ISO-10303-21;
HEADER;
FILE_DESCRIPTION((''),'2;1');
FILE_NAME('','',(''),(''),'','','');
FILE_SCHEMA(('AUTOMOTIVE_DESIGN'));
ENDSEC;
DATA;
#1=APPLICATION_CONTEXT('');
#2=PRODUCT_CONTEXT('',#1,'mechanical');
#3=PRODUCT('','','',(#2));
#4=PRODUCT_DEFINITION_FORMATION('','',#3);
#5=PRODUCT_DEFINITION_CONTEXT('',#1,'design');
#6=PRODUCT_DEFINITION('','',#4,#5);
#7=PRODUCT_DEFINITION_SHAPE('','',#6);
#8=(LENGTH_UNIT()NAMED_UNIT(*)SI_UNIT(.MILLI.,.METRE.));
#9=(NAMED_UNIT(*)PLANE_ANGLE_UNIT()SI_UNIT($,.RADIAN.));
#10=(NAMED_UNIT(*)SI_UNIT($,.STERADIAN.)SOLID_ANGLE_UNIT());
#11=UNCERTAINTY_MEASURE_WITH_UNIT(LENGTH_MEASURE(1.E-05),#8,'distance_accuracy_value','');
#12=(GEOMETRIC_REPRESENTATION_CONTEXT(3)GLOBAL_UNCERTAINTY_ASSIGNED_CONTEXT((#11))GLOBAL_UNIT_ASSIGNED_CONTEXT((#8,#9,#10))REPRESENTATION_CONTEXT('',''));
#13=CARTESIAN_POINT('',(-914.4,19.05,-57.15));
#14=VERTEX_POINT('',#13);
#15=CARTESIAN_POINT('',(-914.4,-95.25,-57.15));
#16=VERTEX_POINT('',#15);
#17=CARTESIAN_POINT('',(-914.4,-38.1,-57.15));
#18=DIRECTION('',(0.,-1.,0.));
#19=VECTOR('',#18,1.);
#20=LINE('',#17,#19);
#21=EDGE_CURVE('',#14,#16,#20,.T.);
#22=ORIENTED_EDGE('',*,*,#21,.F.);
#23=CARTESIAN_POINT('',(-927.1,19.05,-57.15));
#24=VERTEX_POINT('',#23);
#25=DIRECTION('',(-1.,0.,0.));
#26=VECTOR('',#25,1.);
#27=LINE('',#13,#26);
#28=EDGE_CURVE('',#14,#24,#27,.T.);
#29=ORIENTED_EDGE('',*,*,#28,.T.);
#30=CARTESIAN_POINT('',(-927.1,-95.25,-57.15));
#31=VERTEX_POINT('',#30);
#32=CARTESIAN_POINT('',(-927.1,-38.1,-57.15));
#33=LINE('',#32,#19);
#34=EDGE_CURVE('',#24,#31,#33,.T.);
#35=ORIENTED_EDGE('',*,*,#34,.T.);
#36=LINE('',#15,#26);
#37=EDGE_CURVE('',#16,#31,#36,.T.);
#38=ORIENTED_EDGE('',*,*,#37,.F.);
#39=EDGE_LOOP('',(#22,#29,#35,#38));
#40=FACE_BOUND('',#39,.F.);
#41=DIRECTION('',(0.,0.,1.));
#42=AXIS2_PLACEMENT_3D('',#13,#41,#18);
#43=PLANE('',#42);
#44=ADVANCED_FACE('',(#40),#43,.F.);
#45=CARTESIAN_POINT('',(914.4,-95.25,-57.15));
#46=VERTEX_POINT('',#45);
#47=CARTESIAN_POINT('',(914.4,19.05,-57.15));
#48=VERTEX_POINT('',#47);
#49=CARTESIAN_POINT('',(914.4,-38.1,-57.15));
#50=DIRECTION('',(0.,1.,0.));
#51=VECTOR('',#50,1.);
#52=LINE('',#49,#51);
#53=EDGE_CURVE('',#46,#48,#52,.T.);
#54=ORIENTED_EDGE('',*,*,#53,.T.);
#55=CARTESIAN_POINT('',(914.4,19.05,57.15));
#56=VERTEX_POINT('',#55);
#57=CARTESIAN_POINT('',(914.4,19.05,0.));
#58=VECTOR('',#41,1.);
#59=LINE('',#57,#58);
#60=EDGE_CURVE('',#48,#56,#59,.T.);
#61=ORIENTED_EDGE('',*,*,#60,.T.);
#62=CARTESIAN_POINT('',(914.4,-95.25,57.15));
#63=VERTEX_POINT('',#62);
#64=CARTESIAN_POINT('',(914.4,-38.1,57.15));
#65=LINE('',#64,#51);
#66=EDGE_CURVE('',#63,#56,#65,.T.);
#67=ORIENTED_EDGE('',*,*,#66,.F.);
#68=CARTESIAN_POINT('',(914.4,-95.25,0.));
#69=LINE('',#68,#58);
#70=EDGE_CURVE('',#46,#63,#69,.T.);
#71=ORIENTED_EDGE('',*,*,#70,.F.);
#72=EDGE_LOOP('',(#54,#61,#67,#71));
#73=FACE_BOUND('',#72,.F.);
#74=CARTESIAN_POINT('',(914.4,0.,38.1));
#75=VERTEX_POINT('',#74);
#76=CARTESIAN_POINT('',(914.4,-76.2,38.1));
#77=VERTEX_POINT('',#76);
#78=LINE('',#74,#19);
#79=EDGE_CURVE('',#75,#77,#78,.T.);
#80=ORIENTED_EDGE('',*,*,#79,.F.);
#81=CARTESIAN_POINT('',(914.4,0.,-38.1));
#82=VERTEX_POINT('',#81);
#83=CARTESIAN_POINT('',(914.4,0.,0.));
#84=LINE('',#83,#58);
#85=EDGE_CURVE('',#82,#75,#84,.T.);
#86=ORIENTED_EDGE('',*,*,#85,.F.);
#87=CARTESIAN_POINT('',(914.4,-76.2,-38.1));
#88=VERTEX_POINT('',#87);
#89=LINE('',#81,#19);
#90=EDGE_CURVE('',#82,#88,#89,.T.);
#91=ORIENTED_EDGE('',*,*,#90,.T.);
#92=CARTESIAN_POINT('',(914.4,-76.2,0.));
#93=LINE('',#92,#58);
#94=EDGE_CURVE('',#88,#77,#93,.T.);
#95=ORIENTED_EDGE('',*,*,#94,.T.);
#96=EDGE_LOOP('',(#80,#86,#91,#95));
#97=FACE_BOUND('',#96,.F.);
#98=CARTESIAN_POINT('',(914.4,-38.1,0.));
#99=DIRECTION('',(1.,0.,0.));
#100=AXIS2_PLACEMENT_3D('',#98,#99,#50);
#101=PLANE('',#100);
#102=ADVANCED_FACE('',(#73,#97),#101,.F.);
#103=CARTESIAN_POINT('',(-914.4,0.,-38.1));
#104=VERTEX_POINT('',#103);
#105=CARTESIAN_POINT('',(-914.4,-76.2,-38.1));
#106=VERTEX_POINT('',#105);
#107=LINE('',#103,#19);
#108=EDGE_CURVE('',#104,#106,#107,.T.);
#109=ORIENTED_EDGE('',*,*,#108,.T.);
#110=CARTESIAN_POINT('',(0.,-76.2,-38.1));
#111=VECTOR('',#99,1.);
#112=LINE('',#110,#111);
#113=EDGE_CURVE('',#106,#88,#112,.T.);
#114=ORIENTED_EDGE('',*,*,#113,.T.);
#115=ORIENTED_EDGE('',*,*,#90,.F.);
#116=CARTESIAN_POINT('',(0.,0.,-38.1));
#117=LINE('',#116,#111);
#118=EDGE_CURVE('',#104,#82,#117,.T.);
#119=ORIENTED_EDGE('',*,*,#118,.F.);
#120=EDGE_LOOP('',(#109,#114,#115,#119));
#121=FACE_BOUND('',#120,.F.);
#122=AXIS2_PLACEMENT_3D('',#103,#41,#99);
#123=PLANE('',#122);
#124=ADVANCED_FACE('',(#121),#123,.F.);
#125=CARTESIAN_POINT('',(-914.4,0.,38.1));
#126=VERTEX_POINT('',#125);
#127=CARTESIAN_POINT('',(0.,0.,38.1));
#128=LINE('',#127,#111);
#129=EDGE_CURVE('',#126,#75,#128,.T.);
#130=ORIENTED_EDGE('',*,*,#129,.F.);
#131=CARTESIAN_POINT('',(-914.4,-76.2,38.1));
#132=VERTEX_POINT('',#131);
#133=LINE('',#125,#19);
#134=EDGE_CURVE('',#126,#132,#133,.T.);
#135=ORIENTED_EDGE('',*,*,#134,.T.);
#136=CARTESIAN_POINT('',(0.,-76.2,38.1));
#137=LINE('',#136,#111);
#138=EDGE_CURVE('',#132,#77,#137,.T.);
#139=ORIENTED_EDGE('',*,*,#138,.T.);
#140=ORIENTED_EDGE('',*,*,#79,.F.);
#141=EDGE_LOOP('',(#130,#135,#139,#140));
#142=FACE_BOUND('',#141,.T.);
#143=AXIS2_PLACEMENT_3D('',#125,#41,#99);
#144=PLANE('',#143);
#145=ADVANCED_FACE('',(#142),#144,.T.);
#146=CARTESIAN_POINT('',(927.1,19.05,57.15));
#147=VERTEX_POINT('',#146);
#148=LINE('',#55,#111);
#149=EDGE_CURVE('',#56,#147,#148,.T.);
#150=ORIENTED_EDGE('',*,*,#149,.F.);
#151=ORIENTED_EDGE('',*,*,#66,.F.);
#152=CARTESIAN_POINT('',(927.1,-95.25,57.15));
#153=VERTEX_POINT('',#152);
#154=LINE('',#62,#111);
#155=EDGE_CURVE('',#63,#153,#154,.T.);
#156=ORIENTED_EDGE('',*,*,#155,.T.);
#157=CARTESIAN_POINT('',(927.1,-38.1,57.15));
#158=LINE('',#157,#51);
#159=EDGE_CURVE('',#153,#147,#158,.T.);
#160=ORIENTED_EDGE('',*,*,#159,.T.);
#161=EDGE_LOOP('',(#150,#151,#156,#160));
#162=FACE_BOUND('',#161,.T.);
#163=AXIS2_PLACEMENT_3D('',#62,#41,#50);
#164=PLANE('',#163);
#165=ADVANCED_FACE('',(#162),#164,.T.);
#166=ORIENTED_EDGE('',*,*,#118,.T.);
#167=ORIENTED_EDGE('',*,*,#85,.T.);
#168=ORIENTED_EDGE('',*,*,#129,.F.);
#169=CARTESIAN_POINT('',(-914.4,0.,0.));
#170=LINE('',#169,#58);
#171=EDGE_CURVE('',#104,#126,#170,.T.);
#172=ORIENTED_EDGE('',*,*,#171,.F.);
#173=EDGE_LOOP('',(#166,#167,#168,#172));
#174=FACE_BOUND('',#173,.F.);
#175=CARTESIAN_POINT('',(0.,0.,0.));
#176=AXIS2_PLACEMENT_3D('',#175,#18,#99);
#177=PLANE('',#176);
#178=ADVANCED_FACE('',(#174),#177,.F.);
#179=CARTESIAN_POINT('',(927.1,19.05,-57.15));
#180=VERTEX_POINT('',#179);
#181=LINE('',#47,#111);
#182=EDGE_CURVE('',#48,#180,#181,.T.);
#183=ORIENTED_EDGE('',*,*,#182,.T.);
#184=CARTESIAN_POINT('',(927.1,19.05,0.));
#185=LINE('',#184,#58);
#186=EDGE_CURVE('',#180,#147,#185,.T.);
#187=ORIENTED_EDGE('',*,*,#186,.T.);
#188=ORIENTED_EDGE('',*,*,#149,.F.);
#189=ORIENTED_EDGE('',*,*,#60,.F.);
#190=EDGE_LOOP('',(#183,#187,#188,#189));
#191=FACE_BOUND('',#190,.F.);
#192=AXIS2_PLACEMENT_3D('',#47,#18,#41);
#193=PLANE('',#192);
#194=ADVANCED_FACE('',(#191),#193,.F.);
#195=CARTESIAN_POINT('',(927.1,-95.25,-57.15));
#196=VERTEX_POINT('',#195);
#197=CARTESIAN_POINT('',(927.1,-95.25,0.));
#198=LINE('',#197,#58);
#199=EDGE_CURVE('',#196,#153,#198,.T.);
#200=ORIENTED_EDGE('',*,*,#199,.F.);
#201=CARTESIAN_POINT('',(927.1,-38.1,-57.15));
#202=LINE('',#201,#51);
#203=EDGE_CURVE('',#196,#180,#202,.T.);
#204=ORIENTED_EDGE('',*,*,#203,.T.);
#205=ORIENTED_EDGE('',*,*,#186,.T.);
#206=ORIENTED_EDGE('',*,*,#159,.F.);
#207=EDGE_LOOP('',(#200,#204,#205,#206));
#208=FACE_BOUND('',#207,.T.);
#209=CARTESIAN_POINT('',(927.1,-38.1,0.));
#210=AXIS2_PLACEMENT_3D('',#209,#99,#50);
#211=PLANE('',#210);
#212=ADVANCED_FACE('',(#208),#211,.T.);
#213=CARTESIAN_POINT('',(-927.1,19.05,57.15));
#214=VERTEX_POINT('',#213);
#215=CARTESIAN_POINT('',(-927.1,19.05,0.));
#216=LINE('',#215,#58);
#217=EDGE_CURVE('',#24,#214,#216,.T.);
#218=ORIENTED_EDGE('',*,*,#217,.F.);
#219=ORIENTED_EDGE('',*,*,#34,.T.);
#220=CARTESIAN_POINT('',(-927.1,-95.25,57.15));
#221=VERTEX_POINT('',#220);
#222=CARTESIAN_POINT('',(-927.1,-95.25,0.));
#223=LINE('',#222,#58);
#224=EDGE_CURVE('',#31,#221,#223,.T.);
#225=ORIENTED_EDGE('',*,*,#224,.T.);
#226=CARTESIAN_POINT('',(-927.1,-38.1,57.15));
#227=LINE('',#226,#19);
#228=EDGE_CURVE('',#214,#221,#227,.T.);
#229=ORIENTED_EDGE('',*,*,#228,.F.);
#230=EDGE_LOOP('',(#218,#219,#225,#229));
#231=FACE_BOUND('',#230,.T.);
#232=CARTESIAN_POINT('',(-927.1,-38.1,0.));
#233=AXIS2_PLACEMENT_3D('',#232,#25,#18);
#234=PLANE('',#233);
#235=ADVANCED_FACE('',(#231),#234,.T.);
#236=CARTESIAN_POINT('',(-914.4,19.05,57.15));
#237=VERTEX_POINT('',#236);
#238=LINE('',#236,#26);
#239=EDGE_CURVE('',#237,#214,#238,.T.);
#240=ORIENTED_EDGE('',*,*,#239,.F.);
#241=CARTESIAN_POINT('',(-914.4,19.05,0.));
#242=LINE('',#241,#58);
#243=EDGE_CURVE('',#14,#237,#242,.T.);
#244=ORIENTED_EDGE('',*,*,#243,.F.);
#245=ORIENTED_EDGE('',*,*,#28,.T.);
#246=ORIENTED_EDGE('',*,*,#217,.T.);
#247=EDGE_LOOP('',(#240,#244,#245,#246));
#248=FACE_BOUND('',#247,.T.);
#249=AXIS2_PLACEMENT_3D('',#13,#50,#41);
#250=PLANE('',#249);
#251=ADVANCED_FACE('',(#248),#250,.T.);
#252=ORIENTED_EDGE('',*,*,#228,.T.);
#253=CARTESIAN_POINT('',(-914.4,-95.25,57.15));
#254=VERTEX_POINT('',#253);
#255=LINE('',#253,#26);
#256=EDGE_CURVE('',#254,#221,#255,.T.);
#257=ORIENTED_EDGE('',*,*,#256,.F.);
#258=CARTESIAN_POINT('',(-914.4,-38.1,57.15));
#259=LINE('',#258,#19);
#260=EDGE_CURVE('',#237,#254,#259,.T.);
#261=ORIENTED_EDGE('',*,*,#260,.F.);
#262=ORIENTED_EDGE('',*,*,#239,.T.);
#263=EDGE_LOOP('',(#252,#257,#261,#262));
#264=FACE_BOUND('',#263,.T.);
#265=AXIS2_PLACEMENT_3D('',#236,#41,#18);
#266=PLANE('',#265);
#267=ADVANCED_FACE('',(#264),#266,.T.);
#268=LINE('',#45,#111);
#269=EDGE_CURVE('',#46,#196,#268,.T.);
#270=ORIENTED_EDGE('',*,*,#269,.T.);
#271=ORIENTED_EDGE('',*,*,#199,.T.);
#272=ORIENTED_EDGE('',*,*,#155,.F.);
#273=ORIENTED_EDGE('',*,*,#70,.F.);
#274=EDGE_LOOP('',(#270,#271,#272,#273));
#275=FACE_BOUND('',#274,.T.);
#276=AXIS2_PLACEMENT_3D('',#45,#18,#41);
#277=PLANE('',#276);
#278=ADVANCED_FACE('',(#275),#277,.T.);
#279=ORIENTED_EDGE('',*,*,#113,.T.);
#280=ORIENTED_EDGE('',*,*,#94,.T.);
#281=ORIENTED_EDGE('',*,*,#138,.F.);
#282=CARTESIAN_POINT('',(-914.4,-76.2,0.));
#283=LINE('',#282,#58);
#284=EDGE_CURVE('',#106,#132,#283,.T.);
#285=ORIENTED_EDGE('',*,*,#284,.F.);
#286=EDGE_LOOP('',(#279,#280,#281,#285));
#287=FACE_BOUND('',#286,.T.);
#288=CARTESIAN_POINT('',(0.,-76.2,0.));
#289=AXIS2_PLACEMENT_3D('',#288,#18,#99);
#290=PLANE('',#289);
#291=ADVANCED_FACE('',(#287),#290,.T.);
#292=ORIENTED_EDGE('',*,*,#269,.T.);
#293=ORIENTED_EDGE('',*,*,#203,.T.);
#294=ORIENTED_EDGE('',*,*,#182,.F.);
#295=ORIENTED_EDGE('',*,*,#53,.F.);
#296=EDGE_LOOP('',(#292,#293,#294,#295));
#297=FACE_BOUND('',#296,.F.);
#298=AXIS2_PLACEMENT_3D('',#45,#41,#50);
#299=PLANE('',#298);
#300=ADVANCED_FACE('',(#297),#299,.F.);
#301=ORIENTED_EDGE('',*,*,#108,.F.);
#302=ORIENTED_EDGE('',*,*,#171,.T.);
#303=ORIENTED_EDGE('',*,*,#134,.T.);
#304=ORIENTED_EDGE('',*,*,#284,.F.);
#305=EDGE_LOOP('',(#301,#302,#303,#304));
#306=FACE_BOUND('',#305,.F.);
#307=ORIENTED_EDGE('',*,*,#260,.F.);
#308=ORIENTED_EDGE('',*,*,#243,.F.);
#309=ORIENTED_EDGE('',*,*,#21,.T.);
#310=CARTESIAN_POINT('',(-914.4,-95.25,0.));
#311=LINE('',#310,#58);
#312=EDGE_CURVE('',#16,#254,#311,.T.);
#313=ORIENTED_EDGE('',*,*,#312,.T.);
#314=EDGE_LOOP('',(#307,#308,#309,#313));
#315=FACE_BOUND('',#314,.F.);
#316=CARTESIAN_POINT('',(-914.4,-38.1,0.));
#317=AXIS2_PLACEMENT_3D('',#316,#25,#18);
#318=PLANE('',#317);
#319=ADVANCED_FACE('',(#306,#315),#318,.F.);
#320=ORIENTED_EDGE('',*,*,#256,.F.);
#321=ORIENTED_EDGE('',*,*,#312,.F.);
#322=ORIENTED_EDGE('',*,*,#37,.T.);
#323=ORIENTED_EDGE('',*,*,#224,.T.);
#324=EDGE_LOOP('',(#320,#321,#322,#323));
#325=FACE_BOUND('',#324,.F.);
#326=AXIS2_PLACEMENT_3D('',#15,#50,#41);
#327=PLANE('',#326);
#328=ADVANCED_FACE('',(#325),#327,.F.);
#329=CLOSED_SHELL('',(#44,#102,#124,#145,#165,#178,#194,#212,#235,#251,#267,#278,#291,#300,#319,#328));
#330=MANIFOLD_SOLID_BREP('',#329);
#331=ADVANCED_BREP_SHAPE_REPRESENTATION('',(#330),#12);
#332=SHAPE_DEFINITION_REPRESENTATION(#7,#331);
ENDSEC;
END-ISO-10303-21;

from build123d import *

# Parameters (mm, degrees)
F0_W     = 152.4
F0_H     = 152.4
F1_DEPTH = 12.7
F4_W     = 1828.8
F4_H     = 76.2
F5_DEPTH = 76.2
F6_W     = 114.3
F6_H     = 114.3
F6_W_2   = 76.2
F6_H_2   = 76.2
F7_DEPTH = 12.7
F8_W     = 114.3
F8_H     = 114.3
F9_DEPTH = 12.7


with BuildPart() as f1:
    # F0 (on Right) → F1 (new body)
    with BuildSketch(Plane.YZ):
        with Locations((4154.9873268127, -3903.1877601624)):
            Rectangle(F0_W, F0_H)
    extrude(amount=F1_DEPTH)


with BuildPart() as f1_1:
    # F2: moved
    add(f1.part.moved(Location((706.12, -1079.5, 1186.18))))


with BuildPart() as f5:
    # F4 (on Front) → F5 (new body)
    with BuildSketch(Plane.XZ):
        Rectangle(F4_W, F4_H)
    extrude(amount=F5_DEPTH)

    # F6 (on face) → F7 (join)
    with BuildSketch(Plane.YZ.offset(914.4)):
        with Locations((-38.1, 0)):
            Rectangle(F6_W, F6_H)
        with Locations((-38.1, 0)):
            Rectangle(F6_W_2, F6_H_2, mode=Mode.SUBTRACT)
        with Locations((-38.1, 0)):
            Rectangle(F6_W_2, F6_H_2)
    extrude(amount=F7_DEPTH)

    # F8 (on face) → F9 (join)
    with BuildSketch(Plane(origin=(-914.4, 0, 0), x_dir=(0, -1, 0), z_dir=(-1, 0, 0))):
        with Locations((38.1, 0)):
            Rectangle(F8_W, F8_H)
    extrude(amount=F9_DEPTH)


solid = f5.part
